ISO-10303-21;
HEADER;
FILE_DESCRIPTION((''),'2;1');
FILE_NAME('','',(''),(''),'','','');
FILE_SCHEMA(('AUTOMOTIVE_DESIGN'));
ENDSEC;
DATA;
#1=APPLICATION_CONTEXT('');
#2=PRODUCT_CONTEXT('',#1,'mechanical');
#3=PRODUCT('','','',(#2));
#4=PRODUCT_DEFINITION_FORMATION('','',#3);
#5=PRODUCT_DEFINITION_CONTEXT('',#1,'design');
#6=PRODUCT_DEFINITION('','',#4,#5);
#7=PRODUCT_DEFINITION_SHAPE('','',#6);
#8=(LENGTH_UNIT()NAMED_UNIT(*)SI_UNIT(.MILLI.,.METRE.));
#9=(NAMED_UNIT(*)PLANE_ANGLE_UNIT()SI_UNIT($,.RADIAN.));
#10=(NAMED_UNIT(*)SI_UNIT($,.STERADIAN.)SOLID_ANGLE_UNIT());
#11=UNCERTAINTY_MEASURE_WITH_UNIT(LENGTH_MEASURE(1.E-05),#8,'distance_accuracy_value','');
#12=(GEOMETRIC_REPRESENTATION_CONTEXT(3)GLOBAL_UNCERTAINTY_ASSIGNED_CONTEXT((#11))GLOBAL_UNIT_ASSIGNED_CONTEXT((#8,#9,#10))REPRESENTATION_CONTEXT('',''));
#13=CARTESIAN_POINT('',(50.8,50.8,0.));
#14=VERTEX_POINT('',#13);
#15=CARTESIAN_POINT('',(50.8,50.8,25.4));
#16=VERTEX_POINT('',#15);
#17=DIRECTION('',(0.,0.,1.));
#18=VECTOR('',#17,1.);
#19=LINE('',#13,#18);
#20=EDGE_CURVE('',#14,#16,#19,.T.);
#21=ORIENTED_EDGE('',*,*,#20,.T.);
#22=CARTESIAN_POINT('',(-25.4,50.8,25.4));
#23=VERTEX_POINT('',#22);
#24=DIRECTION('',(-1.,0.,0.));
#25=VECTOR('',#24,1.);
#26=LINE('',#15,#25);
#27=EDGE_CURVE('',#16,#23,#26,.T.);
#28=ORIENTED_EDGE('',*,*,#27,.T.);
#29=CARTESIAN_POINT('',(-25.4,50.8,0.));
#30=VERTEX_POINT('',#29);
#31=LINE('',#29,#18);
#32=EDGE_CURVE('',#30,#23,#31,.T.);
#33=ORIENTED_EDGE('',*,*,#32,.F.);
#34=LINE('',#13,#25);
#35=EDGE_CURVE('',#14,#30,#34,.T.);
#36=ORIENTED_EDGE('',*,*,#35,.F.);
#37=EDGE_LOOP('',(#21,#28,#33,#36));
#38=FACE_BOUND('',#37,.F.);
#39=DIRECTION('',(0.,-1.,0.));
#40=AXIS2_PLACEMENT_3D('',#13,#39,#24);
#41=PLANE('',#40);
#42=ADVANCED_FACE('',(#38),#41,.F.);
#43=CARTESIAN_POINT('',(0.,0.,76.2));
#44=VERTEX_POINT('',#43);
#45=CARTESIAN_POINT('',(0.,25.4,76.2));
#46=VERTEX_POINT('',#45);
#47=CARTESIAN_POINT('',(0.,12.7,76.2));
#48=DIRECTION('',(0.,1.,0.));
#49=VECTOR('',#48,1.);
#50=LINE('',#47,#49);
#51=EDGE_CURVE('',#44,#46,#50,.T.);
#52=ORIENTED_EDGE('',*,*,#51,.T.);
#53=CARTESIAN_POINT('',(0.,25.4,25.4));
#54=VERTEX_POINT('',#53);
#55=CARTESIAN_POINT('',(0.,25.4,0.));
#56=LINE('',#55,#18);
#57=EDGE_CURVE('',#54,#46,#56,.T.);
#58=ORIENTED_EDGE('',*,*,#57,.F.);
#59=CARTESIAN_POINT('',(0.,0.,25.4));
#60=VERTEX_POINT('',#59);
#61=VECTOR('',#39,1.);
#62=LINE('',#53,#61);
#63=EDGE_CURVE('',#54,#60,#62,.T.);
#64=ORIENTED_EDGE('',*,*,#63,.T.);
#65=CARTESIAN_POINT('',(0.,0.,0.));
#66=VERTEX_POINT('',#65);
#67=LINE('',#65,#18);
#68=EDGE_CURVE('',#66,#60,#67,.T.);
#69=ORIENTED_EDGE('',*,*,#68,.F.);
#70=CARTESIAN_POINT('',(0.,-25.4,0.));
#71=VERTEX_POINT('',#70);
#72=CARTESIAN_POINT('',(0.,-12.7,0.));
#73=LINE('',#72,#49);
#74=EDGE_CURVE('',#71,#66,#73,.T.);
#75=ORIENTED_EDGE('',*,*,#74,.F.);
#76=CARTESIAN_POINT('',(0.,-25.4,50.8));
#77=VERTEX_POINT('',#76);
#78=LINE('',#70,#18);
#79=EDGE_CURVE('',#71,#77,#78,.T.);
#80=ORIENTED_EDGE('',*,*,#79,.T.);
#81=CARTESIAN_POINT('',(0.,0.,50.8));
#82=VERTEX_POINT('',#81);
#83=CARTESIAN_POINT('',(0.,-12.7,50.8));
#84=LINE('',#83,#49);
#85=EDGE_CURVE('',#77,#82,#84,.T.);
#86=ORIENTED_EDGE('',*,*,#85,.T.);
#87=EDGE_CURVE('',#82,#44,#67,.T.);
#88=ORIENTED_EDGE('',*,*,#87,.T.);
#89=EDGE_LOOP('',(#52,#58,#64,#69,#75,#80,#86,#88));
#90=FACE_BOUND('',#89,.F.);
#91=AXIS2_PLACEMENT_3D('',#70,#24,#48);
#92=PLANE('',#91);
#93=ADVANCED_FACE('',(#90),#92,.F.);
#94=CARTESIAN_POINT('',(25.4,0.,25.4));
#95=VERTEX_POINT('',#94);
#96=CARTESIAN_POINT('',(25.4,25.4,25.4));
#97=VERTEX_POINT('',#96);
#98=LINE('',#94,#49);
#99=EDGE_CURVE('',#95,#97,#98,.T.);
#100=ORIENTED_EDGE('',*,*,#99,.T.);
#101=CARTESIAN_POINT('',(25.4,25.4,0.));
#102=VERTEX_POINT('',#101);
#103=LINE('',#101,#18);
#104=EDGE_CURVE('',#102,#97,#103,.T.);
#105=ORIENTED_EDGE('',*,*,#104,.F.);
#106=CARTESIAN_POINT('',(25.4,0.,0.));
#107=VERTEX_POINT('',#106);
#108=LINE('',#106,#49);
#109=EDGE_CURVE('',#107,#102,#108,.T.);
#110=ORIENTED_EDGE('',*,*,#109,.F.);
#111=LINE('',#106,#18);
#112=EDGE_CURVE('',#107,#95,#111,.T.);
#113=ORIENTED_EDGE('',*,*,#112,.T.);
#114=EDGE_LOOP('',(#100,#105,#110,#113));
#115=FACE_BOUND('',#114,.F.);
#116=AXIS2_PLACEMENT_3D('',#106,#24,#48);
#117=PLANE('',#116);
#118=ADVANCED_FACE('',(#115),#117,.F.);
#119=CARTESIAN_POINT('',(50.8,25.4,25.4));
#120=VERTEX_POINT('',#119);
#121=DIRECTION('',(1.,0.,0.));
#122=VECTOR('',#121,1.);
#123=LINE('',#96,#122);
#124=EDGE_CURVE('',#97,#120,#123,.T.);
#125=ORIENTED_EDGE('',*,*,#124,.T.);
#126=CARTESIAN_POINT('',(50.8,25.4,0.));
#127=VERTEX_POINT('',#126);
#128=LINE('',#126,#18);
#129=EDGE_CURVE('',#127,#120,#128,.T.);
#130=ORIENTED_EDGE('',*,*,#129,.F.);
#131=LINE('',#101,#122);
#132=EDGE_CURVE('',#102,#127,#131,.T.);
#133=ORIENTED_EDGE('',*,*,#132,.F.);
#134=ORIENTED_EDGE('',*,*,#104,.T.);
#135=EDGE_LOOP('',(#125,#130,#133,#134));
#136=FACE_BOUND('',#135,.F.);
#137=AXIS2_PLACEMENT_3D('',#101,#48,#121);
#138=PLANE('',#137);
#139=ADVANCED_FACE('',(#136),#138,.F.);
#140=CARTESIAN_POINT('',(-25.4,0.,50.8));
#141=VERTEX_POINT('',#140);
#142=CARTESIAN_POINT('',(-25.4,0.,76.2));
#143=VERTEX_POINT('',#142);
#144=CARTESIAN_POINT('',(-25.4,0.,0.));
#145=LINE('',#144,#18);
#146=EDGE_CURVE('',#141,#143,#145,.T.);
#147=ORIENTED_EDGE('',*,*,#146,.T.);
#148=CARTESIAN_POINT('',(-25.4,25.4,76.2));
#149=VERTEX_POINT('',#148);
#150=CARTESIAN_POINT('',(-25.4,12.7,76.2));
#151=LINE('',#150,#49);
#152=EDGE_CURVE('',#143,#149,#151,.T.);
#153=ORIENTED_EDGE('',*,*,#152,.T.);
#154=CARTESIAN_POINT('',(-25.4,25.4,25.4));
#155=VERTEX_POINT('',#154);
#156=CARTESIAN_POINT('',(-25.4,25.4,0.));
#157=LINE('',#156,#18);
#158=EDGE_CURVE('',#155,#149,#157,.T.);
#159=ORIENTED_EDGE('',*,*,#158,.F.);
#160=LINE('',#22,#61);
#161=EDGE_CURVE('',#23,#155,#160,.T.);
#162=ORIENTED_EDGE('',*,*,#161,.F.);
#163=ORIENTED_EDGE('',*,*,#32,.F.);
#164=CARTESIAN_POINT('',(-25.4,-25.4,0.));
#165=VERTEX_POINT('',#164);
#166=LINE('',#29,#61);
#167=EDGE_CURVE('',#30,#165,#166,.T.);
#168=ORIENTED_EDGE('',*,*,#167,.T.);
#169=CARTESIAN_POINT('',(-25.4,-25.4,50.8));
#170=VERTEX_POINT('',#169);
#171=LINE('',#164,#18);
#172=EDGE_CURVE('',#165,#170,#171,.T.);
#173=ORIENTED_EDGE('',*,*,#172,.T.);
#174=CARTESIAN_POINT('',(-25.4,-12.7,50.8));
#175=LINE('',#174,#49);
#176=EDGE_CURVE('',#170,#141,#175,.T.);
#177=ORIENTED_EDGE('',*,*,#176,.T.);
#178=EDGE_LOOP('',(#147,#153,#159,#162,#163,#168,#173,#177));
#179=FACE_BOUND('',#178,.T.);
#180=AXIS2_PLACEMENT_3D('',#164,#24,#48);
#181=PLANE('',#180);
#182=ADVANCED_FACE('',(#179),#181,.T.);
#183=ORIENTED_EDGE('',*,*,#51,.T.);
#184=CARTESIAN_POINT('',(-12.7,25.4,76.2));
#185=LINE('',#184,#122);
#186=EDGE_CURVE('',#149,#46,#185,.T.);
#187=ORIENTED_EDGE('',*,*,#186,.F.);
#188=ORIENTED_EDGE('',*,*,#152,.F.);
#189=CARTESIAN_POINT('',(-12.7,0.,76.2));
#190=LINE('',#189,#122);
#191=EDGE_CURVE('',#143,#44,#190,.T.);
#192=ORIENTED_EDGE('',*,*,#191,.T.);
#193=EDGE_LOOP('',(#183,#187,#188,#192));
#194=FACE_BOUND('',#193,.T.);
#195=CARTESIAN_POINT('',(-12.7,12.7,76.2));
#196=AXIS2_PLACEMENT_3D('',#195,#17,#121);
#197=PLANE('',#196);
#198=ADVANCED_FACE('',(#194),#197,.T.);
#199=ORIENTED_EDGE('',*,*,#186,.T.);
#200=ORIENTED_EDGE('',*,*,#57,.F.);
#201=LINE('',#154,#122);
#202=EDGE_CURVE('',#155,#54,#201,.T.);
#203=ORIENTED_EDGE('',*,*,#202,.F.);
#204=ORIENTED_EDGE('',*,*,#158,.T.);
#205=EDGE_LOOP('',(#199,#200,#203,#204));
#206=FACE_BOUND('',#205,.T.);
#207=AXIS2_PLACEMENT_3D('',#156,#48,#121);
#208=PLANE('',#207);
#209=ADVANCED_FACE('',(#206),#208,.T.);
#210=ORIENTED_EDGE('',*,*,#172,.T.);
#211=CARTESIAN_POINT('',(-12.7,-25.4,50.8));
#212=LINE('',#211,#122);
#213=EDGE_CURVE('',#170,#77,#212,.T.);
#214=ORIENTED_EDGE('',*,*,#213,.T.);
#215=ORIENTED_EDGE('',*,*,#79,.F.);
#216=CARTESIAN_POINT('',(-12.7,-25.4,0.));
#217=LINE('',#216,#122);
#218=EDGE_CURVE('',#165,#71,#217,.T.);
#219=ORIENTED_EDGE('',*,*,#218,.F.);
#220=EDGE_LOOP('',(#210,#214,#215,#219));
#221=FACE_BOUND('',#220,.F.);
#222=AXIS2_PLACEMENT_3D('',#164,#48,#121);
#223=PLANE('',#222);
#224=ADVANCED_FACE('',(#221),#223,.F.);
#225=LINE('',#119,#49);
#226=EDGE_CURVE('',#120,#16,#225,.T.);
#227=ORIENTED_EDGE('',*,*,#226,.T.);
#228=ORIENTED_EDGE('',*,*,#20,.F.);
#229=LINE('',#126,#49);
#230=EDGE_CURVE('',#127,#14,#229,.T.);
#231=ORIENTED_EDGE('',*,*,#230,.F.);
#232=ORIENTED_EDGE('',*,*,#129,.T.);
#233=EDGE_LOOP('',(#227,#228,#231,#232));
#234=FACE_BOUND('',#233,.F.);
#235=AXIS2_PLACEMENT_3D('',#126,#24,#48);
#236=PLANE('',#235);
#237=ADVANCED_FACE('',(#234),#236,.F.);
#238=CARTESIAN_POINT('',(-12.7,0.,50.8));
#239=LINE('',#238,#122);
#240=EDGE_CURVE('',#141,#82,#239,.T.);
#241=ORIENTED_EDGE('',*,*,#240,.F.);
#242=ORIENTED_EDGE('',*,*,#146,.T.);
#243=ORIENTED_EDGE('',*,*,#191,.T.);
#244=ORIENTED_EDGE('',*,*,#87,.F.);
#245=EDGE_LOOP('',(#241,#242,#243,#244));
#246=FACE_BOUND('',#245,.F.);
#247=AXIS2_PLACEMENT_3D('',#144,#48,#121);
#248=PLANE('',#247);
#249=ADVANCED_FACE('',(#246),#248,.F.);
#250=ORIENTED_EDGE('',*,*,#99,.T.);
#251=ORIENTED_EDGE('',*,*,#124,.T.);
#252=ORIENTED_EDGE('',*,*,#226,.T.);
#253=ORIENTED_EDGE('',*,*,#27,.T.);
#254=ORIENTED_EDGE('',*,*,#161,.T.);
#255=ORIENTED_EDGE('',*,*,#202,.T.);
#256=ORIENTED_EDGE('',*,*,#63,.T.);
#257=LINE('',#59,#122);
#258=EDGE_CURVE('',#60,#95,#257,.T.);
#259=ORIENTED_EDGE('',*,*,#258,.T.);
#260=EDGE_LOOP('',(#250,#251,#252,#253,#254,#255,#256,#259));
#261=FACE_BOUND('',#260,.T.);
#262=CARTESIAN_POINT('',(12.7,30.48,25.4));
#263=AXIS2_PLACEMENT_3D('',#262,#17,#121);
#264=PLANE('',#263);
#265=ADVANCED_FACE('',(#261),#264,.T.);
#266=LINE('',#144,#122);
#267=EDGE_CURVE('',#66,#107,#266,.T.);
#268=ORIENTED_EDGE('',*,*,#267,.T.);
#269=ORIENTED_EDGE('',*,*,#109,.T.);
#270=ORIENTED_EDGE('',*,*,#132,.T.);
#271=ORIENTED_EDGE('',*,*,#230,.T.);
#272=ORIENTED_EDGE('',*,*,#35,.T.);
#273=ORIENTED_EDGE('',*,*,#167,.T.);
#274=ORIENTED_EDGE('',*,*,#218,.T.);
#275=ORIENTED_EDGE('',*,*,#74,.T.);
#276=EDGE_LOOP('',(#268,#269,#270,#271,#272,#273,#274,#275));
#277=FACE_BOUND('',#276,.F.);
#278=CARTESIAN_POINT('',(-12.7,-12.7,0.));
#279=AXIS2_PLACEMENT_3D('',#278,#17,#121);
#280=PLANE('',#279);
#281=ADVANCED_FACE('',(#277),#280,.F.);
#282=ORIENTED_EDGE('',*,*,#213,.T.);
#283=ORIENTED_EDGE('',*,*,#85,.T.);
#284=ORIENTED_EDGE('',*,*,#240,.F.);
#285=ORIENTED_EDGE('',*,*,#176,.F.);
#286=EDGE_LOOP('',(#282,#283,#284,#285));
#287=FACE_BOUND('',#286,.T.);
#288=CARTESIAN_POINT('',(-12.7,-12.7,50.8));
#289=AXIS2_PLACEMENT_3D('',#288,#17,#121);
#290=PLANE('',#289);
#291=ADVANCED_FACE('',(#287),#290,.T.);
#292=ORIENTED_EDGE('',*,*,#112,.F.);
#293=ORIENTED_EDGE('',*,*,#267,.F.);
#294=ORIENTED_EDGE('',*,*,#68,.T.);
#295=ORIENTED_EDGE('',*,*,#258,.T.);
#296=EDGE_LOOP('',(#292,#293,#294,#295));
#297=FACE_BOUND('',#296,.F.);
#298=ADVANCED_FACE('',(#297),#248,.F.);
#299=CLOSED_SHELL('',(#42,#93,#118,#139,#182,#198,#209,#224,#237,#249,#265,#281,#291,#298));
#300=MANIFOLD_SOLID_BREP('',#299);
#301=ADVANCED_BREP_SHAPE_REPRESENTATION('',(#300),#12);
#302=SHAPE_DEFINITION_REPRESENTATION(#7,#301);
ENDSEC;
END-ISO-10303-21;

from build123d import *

# Parameters (mm, degrees)
F1_DEPTH = 25.4
F0_W     = 25.4
F0_H     = 25.4
F2_DEPTH = 76.2
F3_DEPTH = 50.8


with BuildPart() as f1:
    # F0 (on Top) → F1 (new body)
    with BuildSketch(Plane.XY):
        Polygon((0, 25.4), (0, 0), (25.4, 0), (25.4, 25.4), (50.8, 25.4), (50.8, 50.8), (-25.4, 50.8), (-25.4, 25.4), align=None)
    extrude(amount=F1_DEPTH)

    # F0 (on Top) → F2 (join)
    with BuildSketch(Plane.XY):
        with Locations((-12.7, 12.7)):
            Rectangle(F0_W, F0_H)
    extrude(amount=F2_DEPTH)

    # F0 (on Top) → F3 (join)
    with BuildSketch(Plane.XY):
        with Locations((-12.7, -12.7)):
            Rectangle(F0_W, F0_H)
    extrude(amount=F3_DEPTH)


solid = f1.part
